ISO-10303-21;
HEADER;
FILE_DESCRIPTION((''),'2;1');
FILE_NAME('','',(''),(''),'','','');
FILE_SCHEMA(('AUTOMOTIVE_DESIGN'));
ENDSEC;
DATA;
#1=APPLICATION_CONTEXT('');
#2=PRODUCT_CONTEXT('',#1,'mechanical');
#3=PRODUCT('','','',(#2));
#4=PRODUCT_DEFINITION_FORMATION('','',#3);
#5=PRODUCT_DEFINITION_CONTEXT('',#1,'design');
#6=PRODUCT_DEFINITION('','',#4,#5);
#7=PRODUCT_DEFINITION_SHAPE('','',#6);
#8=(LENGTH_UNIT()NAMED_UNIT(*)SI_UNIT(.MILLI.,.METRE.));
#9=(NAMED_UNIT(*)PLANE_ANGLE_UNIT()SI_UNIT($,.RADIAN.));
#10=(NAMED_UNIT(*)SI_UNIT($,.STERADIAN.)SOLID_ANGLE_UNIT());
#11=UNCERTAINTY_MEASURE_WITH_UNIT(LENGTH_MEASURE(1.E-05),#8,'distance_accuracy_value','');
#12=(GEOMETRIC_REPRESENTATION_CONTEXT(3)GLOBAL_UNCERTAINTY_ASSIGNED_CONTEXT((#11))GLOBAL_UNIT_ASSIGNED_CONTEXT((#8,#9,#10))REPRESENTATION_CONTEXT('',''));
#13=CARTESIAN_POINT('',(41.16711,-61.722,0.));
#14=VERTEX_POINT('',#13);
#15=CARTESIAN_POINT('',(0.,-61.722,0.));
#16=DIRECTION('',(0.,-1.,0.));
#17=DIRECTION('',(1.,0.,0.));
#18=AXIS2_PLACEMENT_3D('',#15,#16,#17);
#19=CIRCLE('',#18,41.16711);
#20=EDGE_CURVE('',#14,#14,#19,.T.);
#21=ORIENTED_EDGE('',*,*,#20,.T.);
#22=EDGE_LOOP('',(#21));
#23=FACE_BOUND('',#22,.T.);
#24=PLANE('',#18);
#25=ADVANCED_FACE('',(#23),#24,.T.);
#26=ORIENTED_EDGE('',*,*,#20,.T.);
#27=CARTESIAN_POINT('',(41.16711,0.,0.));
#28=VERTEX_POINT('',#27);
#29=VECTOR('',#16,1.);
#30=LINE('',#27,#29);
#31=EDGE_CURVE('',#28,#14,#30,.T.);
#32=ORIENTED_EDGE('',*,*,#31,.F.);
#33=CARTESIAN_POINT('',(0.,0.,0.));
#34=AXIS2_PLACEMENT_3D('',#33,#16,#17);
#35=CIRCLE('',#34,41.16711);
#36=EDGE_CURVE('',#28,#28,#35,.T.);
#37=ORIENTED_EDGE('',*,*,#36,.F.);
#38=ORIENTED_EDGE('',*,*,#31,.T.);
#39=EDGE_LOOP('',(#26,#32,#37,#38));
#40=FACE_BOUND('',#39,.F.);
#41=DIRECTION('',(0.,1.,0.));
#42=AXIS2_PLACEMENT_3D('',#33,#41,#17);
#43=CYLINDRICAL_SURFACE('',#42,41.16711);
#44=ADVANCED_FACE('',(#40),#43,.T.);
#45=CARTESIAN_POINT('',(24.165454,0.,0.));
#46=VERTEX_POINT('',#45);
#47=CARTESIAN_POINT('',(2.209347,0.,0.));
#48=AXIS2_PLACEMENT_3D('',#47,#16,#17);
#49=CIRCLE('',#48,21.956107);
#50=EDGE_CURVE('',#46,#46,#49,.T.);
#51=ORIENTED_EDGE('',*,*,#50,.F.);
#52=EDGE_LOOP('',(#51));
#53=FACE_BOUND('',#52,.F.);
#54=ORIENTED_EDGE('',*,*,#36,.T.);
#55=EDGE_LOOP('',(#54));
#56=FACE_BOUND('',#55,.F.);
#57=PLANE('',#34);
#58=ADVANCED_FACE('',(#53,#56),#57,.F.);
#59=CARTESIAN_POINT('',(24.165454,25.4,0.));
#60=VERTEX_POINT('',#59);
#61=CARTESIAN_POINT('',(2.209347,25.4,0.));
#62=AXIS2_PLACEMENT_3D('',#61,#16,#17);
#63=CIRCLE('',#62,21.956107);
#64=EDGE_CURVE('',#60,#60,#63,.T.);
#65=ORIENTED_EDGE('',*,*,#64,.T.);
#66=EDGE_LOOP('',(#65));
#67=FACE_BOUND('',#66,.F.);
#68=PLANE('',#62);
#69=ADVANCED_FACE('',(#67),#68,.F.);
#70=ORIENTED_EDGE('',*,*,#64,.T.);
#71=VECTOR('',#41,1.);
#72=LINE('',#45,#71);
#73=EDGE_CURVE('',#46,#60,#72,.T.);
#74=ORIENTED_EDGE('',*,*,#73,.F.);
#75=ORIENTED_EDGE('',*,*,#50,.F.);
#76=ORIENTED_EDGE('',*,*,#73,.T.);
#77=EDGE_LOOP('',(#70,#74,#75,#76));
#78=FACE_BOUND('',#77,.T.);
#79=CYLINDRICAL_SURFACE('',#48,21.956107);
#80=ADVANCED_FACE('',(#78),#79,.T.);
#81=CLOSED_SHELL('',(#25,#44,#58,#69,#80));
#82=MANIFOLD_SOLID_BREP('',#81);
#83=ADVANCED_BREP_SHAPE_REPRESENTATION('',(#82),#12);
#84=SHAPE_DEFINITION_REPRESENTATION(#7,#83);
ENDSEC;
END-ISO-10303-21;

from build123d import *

# Parameters (mm, degrees)
F0_R      = 41.16711
F1_DEPTH  = 61.722
F2_R      = 21.956107
F1_FACE_R = 41.16711
F3_DEPTH  = 25.4


with BuildPart() as f1:
    # F0 (on Front) → F1 (new body)
    with BuildSketch(Plane.XZ):
        Circle(F0_R)
    extrude(amount=F1_DEPTH)

    # F2 (on Front) + F1_face (on face) → F3 (join)
    with BuildSketch(Plane.XZ):
        with Locations((2.209347, 0)):
            Circle(F2_R)
    with BuildSketch(Plane.XZ.offset(61.722)):
        Circle(F1_FACE_R)
    extrude(amount=-F3_DEPTH)


solid = f1.part
